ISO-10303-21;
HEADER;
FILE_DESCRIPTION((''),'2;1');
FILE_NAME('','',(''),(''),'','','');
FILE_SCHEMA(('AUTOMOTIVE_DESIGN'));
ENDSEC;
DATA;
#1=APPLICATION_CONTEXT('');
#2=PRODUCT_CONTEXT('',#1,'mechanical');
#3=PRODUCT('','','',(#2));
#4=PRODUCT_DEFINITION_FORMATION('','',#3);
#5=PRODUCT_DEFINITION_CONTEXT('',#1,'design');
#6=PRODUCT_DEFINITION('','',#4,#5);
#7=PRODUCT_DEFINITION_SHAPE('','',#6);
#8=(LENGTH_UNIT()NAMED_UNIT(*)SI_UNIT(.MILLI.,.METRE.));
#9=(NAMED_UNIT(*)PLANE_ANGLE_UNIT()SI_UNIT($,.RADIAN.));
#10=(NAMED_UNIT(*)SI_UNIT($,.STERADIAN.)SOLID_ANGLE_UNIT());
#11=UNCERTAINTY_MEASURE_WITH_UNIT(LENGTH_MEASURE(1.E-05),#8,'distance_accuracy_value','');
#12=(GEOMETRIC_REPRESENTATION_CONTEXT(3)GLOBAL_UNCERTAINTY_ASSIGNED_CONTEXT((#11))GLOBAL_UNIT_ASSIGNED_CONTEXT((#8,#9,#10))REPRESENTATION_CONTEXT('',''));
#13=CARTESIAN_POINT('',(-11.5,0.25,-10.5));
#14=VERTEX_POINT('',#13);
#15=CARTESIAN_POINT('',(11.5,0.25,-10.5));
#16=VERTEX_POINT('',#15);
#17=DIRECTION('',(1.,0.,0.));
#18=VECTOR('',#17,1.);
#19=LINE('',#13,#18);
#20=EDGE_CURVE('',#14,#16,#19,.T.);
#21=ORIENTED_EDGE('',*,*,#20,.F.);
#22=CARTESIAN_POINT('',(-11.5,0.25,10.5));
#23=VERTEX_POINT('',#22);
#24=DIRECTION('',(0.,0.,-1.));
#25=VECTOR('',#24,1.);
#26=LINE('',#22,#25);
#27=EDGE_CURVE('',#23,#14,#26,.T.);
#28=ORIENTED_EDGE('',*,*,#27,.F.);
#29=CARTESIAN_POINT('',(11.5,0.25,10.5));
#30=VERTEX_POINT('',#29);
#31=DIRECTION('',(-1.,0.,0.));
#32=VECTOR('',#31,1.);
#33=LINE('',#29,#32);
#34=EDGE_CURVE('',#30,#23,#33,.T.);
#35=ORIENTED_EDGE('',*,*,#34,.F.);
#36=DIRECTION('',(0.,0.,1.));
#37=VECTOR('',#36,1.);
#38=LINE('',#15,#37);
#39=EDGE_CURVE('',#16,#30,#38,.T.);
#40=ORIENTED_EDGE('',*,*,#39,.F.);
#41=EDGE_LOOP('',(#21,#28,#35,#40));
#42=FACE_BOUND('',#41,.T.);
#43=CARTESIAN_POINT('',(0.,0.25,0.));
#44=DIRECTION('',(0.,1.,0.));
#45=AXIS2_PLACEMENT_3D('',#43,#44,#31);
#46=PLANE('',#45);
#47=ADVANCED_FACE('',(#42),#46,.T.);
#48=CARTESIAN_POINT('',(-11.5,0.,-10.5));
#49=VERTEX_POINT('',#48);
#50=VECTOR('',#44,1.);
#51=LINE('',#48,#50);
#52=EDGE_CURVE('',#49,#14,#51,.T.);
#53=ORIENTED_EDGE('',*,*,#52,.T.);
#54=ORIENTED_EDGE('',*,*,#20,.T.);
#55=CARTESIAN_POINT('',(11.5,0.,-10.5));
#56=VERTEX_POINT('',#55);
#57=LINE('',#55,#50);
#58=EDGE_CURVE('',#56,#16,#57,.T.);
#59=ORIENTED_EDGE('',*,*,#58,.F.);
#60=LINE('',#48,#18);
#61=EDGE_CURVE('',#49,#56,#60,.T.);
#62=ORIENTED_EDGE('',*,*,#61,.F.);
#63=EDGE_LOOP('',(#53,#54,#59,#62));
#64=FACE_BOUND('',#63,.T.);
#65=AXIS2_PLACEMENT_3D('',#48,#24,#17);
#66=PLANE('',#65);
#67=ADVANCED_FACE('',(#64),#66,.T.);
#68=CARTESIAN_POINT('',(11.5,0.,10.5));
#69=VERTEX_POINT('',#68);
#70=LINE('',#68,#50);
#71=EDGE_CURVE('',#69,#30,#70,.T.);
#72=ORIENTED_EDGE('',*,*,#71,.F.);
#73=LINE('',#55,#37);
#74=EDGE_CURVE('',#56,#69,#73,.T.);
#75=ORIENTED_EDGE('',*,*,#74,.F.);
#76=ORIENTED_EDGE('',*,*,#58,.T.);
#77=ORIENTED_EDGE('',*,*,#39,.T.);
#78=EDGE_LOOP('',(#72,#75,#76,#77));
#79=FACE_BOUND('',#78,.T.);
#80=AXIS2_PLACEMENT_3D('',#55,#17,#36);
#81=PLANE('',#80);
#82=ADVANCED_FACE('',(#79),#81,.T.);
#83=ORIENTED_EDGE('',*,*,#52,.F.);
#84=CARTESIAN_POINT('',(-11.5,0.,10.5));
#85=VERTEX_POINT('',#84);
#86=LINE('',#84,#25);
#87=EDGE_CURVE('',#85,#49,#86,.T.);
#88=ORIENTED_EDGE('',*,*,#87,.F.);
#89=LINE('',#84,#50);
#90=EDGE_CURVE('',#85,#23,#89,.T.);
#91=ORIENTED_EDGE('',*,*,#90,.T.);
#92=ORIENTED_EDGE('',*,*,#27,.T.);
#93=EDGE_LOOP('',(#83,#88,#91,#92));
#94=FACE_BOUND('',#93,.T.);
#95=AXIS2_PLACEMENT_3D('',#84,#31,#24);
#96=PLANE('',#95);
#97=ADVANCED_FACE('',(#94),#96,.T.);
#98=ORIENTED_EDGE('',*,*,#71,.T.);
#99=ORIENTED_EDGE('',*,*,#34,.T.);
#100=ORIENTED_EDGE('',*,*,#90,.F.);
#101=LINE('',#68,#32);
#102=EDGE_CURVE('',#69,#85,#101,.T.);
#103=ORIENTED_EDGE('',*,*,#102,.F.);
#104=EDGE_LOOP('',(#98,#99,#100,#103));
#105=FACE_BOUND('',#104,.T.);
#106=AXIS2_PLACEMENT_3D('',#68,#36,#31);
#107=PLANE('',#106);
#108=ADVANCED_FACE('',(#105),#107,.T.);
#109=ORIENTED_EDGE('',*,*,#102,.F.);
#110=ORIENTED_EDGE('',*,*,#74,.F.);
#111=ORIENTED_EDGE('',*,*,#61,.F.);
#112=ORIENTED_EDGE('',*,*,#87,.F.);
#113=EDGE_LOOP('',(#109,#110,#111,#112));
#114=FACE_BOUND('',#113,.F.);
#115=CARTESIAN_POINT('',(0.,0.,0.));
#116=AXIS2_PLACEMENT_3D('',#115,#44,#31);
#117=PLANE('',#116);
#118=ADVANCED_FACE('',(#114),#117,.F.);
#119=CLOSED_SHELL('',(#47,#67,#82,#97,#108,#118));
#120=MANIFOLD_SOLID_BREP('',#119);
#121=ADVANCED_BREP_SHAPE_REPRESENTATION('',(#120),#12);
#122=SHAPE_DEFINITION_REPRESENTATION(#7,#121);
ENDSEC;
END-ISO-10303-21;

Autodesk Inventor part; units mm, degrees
ref_plane "YZ Plane" through (0, 0, 0) normal (1, 0, 0) x (0, 1, 0)
ref_plane "XZ Plane" through (0, 0, 0) normal (0, 1, 0) x (-1, 0, 0)
ref_plane "XY Plane" through (0, 0, 0) normal (0, 0, 1) x (1, 0, 0)
sketch "Sketch1" plane through (0, 0, 0) normal (0, 1, 0) x (-1, 0, 0)
  point P0 (0, 0)
sketch "Sketch2" plane through (0, 0, 0) normal (0, 1, 0) x (-1, 0, 0)
  line L0 (-11.5, 10.5) -> (11.5, 10.5)
  line L1 (11.5, 10.5) -> (11.5, -10.5)
  line L2 (11.5, -10.5) -> (-11.5, -10.5)
  line L3 (-11.5, -10.5) -> (-11.5, 10.5)
  line L4 (-11.5, 10.5) -> (11.5, -10.5) construction
  line L5 (11.5, 10.5) -> (-11.5, -10.5) construction
  point P0 (0, 0)
  dimension "d0" = 21
  dimension "d1" = 23
extrude "Extrusion1" add sketch "Sketch2" along normal blind 0.25
properties part number "ETROC2 - Simplified" material "Silicon Nitride"
